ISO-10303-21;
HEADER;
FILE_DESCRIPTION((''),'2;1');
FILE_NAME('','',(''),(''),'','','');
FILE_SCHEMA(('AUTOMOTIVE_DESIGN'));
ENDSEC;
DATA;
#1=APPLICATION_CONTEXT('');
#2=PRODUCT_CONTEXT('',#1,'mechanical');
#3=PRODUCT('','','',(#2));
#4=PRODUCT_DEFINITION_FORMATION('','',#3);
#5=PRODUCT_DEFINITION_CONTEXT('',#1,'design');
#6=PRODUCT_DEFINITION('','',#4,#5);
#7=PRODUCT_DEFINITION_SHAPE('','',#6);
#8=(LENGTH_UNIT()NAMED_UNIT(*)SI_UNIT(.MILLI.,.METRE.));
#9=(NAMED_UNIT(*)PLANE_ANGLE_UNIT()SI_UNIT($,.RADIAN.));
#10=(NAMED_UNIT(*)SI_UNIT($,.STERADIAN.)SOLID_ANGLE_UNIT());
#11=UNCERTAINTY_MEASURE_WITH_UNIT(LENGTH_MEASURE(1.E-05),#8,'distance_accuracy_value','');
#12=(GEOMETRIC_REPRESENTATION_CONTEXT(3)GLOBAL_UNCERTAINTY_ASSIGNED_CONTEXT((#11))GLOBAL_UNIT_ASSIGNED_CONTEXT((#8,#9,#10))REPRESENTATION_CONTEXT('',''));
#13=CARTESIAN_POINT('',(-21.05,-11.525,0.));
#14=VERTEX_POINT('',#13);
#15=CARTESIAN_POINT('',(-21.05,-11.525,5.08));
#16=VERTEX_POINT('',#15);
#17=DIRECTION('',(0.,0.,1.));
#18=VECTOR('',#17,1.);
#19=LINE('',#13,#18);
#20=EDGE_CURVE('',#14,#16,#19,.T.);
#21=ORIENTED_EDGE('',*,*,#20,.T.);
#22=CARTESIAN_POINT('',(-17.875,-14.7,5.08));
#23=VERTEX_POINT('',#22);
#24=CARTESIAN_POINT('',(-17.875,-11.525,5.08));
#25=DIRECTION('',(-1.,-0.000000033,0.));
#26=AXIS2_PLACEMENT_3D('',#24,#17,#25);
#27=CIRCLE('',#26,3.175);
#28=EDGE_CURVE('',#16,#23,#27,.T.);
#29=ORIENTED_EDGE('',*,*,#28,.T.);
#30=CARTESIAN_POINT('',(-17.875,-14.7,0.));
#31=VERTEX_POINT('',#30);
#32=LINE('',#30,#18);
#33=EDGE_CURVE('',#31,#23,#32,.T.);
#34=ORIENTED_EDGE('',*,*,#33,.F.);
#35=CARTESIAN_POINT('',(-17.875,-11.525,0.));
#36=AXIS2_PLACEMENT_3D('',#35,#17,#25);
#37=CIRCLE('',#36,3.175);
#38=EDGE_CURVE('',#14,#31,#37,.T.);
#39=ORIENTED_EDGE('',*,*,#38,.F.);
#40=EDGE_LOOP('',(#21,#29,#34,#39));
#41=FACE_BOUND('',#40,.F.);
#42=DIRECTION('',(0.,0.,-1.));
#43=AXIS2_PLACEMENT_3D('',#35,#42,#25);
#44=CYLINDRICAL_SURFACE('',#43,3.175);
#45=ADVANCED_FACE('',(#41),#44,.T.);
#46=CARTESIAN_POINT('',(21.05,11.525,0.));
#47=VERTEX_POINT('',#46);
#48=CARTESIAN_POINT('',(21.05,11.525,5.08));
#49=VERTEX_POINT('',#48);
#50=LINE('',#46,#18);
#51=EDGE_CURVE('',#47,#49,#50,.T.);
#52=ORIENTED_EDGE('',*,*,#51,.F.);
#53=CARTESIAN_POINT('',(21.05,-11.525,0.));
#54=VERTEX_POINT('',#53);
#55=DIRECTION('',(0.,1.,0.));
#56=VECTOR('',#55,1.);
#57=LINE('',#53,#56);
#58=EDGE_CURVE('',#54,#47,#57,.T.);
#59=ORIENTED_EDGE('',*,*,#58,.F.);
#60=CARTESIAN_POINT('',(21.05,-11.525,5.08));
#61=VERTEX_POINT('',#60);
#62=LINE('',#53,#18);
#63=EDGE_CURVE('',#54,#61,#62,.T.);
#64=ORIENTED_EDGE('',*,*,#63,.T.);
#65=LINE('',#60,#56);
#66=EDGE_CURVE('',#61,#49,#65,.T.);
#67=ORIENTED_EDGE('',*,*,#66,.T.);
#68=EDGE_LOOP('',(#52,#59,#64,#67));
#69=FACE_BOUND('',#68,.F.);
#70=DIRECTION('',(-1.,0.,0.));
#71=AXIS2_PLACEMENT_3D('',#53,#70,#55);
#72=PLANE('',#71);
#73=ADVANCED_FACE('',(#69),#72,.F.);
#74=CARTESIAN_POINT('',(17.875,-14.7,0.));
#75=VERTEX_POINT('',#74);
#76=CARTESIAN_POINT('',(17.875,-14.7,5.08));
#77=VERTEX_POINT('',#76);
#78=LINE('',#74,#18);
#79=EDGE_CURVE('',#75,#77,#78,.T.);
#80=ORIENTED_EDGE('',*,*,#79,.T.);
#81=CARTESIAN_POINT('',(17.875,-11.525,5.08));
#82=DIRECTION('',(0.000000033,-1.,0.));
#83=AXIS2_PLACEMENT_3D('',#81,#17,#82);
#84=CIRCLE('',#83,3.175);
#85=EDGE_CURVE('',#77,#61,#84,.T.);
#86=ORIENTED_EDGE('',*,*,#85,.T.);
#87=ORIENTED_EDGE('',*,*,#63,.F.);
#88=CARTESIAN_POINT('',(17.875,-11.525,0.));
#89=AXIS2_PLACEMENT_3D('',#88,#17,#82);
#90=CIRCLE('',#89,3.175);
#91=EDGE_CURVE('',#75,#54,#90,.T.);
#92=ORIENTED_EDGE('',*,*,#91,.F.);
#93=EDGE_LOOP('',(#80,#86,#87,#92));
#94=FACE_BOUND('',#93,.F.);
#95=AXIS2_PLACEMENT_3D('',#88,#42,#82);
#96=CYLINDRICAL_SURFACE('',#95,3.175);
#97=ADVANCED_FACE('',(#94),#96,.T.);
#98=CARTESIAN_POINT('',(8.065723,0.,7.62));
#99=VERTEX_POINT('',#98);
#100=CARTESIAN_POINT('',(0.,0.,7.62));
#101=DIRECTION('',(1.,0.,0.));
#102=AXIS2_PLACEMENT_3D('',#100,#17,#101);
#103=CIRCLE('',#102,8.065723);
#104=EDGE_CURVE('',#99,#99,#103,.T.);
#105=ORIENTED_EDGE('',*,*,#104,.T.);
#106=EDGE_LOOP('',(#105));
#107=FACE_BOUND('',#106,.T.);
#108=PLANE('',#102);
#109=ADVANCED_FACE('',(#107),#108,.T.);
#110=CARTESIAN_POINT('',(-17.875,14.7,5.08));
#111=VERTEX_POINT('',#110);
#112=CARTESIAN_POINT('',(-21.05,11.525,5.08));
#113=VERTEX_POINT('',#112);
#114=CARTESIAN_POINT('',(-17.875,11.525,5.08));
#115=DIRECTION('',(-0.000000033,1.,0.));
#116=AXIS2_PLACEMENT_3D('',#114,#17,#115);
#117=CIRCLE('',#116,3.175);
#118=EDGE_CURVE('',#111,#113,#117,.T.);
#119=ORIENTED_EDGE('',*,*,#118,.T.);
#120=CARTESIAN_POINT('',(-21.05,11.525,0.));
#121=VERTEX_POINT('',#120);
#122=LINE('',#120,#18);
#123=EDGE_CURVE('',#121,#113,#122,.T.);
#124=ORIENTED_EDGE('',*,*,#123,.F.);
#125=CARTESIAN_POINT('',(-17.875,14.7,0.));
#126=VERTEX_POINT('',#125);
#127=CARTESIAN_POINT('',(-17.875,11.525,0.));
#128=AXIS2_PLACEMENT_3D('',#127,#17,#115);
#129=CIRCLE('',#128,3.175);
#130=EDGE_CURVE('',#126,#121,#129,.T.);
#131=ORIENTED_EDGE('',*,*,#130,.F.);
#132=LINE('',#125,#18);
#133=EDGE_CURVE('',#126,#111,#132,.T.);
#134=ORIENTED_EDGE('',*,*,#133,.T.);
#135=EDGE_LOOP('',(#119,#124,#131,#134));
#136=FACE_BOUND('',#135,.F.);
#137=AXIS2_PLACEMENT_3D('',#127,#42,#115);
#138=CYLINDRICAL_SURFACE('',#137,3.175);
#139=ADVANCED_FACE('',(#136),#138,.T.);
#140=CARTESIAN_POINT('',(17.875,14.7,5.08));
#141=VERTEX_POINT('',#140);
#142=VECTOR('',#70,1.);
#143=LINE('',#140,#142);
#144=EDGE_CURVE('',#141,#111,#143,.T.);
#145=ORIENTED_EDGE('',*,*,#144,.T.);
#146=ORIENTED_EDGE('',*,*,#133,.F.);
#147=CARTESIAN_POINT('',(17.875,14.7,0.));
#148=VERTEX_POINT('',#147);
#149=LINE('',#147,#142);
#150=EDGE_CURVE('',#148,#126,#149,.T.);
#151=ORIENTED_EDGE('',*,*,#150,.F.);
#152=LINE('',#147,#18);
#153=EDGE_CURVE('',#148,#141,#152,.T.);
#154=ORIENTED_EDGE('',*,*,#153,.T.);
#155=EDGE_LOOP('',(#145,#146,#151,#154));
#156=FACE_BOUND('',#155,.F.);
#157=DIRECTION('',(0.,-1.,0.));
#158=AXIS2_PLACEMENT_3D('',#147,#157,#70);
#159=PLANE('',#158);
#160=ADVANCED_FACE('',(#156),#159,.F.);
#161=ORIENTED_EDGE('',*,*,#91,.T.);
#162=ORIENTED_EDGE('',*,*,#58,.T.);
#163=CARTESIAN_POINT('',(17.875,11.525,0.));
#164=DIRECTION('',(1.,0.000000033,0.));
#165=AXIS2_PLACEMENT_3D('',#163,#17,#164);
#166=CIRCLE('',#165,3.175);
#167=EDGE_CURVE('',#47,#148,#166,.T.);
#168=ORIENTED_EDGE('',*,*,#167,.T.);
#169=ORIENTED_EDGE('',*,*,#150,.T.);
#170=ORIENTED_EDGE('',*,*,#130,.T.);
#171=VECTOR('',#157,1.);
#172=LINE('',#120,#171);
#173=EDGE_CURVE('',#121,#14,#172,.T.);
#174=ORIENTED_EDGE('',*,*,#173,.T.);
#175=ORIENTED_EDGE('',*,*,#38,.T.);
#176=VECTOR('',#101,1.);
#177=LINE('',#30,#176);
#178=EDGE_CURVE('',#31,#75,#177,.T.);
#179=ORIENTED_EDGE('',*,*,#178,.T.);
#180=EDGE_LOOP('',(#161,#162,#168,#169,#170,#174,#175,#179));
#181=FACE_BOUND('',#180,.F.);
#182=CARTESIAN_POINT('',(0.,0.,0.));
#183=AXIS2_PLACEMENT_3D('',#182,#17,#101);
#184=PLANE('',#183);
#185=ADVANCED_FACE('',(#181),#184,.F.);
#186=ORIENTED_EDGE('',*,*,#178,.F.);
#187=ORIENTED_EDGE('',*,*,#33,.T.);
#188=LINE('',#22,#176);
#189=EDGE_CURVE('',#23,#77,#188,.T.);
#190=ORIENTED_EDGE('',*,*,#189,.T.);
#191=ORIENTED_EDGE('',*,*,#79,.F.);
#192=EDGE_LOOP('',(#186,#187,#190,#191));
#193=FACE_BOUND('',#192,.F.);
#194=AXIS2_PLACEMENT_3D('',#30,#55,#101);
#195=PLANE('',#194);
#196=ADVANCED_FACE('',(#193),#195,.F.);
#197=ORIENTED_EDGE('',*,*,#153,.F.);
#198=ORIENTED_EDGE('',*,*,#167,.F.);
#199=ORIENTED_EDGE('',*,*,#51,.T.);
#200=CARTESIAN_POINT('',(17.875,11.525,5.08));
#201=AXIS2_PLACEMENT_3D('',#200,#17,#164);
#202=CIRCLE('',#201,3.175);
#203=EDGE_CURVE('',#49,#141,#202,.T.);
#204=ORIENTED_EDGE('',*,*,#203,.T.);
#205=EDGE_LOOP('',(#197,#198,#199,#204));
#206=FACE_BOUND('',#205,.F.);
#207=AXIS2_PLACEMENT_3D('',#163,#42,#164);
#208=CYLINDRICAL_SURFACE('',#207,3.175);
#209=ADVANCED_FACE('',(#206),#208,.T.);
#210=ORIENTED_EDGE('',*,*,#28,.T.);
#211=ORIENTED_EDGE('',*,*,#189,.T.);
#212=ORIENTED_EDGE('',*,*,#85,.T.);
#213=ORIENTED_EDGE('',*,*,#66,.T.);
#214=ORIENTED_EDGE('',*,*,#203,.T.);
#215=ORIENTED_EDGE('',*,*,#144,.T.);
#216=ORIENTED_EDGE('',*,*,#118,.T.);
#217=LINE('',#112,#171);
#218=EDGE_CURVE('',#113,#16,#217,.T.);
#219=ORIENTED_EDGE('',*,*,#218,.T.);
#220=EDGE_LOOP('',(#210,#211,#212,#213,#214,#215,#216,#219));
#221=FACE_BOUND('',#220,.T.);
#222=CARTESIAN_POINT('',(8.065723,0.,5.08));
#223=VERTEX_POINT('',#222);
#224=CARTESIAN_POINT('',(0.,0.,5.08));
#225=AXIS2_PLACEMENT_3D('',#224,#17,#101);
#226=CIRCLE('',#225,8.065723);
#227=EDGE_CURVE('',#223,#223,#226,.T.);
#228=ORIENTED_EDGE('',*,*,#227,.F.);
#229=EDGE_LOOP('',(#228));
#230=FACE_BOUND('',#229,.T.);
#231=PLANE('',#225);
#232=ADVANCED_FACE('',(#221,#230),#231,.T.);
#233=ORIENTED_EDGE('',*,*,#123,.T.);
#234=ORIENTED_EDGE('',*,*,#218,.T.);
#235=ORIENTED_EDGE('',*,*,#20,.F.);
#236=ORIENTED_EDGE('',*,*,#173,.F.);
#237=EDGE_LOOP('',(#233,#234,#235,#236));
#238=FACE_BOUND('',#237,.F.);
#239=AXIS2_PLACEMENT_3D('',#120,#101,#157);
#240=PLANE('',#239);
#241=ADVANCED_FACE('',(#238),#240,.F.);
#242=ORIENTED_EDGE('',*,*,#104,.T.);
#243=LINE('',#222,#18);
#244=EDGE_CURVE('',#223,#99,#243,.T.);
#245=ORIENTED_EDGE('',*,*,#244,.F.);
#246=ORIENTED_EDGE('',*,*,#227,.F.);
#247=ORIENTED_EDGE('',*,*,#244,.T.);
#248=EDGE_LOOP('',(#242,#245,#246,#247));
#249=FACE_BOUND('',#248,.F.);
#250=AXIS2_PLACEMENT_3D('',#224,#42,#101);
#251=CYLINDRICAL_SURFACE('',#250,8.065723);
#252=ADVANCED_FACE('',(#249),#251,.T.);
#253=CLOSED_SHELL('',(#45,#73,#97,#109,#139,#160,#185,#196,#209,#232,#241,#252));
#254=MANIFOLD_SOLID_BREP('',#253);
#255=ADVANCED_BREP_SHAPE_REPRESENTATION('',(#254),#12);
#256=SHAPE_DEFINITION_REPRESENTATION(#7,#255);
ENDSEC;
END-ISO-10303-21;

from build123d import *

# Parameters (mm, degrees)
F1_DEPTH = 5.08
F2_R     = 8.065723
F3_DEPTH = 2.54


with BuildPart() as f1:
    # F0 (on Top) → F1 (new body)
    with BuildSketch(Plane.XY):
        with BuildLine():
            ThreePointArc((21.05, 11.525), (20.120064, 13.770064), (17.875, 14.7))
            Line((17.875, 14.7), (-17.875, 14.7))
            ThreePointArc((-17.875, 14.7), (-20.120064, 13.770064), (-21.05, 11.525))
            Line((-21.05, 11.525), (-21.05, -11.525))
            ThreePointArc((-21.05, -11.525), (-20.120064, -13.770064), (-17.875, -14.7))
            Line((-17.875, -14.7), (17.875, -14.7))
            ThreePointArc((17.875, -14.7), (20.120064, -13.770064), (21.05, -11.525))
            Line((21.05, -11.525), (21.05, 11.525))
        make_face()
    extrude(amount=F1_DEPTH)

    # F2 (on face) → F3 (join)
    with BuildSketch(Plane.XY.offset(5.08)):
        Circle(F2_R)
    extrude(amount=F3_DEPTH)


solid = f1.part
